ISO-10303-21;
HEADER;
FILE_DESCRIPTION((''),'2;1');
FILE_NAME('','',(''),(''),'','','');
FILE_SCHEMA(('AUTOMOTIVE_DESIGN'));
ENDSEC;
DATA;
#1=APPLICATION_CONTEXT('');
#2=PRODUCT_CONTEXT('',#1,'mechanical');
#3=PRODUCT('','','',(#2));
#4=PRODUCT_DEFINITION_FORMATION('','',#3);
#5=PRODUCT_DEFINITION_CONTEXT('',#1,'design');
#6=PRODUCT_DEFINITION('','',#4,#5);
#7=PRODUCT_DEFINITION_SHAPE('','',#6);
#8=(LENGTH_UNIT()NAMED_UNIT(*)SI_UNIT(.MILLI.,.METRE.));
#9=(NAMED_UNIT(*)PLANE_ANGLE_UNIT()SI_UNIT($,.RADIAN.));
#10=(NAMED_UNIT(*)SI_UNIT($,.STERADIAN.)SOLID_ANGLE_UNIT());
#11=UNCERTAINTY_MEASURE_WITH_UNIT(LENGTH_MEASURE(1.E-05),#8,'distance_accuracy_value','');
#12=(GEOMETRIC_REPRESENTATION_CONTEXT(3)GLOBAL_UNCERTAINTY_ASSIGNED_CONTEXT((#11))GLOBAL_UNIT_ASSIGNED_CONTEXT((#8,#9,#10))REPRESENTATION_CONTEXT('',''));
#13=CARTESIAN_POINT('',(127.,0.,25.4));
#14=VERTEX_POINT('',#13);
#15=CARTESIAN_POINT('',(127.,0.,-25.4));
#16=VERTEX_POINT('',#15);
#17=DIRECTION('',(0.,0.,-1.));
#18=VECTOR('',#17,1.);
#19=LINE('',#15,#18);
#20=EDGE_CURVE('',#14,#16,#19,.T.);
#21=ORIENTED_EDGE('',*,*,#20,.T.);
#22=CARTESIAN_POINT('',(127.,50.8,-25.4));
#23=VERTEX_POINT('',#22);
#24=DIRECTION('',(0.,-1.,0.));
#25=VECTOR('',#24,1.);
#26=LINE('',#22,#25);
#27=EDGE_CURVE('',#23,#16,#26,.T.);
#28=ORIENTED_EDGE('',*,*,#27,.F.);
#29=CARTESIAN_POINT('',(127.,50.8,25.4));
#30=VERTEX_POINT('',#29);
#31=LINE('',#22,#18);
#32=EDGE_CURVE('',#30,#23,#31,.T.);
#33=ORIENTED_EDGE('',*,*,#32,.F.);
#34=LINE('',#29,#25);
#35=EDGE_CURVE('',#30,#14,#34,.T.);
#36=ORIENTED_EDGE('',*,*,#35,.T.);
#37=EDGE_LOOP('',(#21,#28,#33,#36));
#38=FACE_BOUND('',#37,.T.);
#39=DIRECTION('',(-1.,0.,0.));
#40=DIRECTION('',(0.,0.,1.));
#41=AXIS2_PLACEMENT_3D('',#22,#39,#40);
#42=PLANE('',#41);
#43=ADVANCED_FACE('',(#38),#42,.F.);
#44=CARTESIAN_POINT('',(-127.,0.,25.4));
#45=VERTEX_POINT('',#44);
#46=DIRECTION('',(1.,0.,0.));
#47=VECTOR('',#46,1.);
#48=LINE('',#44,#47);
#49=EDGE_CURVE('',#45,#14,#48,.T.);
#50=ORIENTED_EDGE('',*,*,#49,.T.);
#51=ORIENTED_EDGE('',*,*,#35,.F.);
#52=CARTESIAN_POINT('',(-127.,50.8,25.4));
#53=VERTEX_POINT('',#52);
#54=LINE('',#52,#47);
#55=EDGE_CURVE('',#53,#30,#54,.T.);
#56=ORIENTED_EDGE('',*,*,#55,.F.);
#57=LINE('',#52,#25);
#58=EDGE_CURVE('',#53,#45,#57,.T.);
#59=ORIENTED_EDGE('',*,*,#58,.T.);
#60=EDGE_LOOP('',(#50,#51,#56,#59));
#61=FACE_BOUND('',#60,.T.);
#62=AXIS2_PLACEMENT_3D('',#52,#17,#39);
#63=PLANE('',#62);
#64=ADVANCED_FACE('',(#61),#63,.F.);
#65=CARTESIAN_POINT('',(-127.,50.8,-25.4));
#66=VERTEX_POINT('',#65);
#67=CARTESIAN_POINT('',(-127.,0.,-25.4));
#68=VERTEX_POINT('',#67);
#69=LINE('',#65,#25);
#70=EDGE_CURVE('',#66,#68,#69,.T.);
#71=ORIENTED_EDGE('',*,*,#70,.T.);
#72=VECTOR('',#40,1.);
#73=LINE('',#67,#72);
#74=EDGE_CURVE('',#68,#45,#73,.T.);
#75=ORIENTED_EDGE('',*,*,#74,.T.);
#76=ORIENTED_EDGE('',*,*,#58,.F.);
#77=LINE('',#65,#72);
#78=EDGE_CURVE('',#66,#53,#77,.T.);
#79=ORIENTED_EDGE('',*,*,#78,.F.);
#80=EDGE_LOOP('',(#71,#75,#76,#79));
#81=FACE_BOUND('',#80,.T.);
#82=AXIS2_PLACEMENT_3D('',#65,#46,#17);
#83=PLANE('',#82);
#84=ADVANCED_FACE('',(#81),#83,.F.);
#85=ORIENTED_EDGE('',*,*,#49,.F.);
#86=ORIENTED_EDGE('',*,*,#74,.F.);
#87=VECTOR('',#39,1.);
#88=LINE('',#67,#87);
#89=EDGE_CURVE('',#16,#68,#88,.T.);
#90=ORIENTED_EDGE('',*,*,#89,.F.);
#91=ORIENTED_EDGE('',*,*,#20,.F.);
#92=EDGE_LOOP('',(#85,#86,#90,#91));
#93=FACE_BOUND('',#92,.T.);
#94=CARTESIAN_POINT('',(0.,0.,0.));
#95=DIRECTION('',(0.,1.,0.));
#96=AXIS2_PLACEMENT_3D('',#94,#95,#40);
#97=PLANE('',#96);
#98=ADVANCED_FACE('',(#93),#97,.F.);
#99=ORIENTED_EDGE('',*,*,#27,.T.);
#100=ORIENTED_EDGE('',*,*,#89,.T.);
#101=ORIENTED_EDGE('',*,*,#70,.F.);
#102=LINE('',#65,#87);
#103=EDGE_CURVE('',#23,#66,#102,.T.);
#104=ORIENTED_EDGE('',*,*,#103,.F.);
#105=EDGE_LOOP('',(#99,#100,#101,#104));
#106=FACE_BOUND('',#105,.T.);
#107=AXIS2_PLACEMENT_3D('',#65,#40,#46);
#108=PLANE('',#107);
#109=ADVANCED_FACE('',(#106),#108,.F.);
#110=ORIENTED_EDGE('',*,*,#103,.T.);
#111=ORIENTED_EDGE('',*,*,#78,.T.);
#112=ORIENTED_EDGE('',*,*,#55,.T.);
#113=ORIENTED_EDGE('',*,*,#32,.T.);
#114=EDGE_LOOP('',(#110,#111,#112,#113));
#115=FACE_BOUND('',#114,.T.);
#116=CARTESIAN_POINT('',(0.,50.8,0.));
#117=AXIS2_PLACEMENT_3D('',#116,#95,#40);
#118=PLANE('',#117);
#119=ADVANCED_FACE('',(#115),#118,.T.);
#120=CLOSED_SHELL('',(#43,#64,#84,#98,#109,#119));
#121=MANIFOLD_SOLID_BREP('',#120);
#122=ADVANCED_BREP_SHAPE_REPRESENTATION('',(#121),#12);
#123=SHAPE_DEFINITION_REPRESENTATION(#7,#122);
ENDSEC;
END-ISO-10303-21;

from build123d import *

# Parameters (mm, degrees)
SKETCH1_W           = 254
SKETCH1_H           = 50.8
BOSS_EXTRUDE1_DEPTH = 50.8


with BuildPart() as part:
    # Sketch1 → Boss-Extrude1 (new body)
    with BuildSketch(Plane(origin=(0, 0, 0), x_dir=(1, 0, 0), z_dir=(0, 1, 0))):
        Rectangle(SKETCH1_W, SKETCH1_H)
    extrude(amount=BOSS_EXTRUDE1_DEPTH)


solid = part.part
